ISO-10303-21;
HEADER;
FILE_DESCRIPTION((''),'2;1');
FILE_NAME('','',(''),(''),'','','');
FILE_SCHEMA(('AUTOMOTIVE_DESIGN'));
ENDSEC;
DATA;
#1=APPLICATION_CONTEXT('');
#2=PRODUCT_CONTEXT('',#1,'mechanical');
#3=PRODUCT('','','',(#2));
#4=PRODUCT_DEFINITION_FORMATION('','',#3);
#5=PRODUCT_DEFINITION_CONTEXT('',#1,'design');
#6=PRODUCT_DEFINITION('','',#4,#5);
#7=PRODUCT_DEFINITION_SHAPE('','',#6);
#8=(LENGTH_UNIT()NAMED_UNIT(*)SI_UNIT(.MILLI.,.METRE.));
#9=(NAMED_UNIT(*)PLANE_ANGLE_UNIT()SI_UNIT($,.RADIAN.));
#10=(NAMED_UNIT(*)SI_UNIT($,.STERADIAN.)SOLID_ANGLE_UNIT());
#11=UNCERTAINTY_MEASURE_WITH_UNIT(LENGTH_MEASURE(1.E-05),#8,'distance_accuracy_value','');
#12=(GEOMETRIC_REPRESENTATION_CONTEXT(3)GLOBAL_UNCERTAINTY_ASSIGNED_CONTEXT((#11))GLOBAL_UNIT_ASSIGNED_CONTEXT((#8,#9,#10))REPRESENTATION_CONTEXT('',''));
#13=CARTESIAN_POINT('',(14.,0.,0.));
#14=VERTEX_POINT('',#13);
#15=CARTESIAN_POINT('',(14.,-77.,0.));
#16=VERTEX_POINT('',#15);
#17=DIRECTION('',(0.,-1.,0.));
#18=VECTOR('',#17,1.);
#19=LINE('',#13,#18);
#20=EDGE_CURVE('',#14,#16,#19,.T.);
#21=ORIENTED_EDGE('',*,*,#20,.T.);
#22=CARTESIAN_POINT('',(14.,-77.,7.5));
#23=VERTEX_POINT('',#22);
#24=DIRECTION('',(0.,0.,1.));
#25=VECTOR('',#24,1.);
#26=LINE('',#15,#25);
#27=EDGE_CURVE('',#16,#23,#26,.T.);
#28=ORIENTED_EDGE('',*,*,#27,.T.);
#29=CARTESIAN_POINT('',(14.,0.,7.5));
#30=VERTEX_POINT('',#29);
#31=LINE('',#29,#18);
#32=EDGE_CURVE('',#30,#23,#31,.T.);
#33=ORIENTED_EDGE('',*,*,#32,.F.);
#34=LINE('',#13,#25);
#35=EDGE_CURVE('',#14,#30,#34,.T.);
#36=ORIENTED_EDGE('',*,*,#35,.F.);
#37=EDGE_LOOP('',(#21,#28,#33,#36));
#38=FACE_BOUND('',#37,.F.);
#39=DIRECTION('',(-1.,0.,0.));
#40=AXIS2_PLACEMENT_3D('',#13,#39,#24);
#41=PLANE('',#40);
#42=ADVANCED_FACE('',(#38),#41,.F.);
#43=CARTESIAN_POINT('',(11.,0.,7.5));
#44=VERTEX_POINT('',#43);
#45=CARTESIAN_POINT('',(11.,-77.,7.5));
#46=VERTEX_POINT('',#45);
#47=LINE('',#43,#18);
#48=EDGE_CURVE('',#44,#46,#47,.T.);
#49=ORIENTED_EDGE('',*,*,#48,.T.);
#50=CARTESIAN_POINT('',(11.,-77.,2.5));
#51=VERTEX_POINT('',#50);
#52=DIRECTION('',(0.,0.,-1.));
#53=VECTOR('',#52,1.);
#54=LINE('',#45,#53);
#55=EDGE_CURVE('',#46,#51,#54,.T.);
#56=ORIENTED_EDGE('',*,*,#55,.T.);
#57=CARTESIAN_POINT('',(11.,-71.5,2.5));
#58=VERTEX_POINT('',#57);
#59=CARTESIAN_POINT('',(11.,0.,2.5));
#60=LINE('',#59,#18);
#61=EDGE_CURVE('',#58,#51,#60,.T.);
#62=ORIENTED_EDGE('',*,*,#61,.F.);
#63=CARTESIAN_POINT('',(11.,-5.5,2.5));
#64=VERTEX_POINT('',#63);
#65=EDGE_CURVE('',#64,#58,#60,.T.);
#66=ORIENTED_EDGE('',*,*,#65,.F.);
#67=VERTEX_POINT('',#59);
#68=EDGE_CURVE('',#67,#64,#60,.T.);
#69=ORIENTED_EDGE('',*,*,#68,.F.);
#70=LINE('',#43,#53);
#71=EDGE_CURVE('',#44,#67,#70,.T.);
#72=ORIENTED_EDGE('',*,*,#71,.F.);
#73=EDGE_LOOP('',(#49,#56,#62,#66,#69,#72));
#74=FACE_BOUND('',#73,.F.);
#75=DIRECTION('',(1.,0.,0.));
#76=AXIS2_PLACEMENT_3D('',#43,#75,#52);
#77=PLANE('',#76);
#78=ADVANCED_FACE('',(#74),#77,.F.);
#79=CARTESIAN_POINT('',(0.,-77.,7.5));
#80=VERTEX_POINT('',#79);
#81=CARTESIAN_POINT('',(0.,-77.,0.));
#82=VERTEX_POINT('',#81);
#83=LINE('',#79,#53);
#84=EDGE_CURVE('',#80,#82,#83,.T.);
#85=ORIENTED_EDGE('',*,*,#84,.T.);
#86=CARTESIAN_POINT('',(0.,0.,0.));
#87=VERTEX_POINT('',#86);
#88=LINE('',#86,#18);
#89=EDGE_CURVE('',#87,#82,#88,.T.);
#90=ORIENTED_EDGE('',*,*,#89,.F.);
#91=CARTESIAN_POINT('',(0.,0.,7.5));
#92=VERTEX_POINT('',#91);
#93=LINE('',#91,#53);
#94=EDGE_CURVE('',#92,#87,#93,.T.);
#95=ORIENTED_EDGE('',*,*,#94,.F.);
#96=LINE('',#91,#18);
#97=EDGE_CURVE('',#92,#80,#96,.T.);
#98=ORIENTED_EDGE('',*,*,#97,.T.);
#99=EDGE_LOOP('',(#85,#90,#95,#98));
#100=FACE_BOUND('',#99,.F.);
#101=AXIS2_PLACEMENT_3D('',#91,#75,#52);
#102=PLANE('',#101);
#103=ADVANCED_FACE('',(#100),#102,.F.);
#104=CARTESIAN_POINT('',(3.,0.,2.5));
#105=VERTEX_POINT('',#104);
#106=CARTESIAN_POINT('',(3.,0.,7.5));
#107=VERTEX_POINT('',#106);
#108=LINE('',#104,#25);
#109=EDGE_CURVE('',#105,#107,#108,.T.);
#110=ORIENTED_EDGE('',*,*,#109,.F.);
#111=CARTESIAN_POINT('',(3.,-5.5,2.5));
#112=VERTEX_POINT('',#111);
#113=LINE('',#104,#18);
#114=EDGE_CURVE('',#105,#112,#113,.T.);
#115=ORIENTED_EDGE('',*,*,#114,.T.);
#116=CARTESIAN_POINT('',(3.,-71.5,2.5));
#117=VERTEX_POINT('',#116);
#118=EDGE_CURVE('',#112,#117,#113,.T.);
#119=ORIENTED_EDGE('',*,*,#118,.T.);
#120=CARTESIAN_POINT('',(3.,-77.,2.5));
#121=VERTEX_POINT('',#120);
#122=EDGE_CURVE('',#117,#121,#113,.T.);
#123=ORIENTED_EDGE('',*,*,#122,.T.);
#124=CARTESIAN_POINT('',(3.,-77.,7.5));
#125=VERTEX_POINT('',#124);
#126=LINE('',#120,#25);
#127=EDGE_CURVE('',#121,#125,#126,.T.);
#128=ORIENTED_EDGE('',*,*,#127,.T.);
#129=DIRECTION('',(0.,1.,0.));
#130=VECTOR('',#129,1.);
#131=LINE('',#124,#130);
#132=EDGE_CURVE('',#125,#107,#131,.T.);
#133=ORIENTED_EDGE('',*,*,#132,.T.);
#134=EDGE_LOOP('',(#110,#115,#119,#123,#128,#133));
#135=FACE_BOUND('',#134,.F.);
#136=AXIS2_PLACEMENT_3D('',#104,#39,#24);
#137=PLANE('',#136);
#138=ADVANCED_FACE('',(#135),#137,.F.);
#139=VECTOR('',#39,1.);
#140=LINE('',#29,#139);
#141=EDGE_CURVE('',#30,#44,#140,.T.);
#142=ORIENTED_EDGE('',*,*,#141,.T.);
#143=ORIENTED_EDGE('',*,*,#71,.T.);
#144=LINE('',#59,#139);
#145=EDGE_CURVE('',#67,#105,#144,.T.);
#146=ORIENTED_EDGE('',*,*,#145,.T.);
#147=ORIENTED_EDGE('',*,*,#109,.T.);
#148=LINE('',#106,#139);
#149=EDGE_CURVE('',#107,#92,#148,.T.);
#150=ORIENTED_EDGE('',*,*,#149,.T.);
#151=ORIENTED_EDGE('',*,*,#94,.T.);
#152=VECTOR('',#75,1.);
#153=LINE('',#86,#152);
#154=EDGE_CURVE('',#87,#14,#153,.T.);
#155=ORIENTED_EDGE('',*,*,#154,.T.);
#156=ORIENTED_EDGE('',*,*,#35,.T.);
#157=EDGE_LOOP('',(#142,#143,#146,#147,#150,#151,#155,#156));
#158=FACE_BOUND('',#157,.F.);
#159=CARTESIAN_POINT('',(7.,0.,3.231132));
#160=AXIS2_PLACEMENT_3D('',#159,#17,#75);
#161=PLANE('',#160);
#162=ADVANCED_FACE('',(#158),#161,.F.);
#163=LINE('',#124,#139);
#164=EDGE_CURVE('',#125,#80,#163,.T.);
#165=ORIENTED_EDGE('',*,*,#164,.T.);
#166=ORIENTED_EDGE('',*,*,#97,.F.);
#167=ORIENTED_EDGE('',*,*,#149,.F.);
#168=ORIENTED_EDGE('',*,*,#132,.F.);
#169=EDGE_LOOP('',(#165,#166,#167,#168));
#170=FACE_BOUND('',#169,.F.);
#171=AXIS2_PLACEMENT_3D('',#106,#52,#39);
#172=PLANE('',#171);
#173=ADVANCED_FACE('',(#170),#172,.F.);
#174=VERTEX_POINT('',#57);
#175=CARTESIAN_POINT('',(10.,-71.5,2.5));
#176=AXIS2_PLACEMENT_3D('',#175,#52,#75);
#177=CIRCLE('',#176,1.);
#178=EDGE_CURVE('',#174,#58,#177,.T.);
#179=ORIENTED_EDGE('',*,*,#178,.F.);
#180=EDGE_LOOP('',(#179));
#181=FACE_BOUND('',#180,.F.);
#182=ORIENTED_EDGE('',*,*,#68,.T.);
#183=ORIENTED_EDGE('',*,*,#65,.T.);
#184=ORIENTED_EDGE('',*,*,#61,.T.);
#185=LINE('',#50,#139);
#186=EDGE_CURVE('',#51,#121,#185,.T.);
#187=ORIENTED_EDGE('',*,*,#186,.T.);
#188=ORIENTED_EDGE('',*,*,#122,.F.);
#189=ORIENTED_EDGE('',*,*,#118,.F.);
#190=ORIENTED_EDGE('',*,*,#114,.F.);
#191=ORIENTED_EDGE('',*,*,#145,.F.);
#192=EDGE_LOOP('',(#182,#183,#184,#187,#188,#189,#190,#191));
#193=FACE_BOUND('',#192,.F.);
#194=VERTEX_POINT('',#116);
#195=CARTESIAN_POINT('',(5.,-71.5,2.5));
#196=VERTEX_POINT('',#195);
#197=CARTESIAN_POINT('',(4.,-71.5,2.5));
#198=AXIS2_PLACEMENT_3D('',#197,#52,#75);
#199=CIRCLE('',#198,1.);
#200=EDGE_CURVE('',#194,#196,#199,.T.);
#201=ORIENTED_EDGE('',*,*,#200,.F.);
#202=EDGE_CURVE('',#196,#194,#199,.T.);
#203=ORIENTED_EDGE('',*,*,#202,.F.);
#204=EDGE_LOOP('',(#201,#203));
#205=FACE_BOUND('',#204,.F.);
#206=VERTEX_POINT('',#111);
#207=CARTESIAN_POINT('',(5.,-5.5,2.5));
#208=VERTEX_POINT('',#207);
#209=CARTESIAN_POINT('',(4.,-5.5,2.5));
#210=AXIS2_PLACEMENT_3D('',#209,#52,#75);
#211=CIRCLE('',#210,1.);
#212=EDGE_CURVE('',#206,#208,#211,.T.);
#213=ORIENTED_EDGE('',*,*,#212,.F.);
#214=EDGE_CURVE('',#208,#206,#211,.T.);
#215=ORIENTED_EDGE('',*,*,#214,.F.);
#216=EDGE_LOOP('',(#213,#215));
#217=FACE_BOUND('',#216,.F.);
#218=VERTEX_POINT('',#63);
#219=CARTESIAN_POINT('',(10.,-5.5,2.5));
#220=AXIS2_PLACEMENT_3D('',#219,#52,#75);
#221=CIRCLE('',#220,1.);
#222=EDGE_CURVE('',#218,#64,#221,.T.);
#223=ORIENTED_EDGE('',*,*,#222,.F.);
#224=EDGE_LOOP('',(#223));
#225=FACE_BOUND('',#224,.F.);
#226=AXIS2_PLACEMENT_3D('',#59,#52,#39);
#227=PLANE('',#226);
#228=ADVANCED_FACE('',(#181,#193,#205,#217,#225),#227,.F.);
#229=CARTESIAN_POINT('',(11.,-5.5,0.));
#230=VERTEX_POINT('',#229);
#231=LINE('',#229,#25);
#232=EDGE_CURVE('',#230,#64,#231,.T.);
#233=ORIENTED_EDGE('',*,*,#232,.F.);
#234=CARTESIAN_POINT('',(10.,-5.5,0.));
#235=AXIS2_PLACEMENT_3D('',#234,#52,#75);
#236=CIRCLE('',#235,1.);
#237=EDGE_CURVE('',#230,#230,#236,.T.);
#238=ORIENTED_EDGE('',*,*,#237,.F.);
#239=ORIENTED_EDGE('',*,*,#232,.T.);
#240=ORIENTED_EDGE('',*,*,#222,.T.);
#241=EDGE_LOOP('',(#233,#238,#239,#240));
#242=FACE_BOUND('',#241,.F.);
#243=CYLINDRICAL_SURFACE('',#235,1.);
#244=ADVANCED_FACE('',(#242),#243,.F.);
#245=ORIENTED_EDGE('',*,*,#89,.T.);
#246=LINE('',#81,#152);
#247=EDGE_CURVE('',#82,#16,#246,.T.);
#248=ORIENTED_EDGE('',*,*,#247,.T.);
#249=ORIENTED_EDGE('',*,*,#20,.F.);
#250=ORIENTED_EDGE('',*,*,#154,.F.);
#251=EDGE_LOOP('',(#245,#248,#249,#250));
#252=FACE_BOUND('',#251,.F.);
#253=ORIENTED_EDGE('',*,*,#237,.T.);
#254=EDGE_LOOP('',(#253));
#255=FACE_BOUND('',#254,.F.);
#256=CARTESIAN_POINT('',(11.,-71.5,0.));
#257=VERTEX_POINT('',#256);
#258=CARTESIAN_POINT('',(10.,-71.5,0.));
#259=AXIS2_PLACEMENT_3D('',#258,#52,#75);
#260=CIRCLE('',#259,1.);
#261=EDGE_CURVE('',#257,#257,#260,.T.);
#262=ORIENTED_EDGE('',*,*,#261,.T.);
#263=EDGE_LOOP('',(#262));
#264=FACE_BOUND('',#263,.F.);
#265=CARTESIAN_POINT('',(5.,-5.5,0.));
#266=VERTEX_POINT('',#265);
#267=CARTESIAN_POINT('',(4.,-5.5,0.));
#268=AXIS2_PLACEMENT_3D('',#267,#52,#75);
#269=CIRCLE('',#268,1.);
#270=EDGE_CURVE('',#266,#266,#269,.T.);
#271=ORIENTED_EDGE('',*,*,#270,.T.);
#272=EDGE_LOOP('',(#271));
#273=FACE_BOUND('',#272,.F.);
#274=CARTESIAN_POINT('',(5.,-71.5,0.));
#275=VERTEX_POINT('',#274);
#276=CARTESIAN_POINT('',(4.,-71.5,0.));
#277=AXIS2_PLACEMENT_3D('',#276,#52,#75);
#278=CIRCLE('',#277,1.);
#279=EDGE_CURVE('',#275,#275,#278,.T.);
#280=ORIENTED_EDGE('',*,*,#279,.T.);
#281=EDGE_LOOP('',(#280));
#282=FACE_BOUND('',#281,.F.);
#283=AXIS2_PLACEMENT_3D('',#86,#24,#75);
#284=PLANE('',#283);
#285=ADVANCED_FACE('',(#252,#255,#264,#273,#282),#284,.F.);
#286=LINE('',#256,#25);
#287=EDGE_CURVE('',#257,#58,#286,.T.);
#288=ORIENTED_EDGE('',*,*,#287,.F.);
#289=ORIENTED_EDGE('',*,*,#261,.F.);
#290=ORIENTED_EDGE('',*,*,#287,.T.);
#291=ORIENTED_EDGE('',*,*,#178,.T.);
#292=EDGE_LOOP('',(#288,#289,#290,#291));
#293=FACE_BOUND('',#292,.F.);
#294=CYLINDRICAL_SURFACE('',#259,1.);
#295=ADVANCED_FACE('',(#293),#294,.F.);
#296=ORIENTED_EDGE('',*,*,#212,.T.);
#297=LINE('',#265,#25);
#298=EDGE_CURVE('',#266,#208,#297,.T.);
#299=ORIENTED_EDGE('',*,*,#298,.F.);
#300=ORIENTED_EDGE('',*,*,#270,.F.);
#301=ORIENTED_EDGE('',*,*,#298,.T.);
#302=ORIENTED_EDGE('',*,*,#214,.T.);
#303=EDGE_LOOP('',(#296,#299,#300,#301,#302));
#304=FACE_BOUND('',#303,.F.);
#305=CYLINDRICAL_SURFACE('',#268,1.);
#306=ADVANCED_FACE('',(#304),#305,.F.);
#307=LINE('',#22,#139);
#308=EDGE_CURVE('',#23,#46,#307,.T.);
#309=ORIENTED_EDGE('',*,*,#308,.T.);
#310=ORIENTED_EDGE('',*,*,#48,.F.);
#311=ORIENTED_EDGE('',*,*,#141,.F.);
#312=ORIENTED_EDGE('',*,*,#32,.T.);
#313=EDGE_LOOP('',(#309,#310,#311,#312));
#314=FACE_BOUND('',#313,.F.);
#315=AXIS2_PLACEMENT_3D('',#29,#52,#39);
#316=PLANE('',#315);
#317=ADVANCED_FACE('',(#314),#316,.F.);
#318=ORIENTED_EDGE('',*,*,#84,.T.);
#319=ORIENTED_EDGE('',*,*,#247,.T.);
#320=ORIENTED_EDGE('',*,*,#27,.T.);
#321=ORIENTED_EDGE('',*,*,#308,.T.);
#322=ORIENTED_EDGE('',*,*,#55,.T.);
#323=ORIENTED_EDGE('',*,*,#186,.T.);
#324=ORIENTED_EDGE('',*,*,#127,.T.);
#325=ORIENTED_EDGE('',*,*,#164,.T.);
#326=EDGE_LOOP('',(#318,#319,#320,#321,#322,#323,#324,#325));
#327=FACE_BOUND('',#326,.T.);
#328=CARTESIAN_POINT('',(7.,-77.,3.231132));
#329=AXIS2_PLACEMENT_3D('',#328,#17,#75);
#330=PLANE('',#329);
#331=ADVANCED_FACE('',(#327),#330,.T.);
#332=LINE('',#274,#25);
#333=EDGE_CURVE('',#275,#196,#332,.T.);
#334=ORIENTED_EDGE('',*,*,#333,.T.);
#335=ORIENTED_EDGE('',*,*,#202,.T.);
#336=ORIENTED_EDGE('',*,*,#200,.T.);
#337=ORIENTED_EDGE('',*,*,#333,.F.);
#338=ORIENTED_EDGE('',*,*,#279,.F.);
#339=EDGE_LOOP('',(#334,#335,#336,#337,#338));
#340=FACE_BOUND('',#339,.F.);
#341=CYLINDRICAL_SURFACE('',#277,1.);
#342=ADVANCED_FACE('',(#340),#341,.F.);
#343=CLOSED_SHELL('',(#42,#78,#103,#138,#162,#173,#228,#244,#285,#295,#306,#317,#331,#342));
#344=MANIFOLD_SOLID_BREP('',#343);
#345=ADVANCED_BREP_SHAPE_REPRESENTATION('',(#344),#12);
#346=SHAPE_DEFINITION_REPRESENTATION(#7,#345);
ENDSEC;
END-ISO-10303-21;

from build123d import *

# Parameters (mm, degrees)
F1_DEPTH = 77
F2_R     = 1
F3_DEPTH = 25


with BuildPart() as f1:
    # F0 (on Front) → F1 (new body)
    with BuildSketch(Plane.XZ):
        Polygon((3, 7.5), (0, 7.5), (0, 0), (14, 0), (14, 7.5), (11, 7.5), (11, 2.5), (3, 2.5), align=None)
    extrude(amount=F1_DEPTH)

    # F2 (on face) → F3 (cut)
    with BuildSketch(Plane(origin=(0, 0, 0), x_dir=(1, 0, 0), z_dir=(0, 0, -1))):
        with Locations((10, 5.5)):
            Circle(F2_R)
        with Locations((4, 5.5)):
            Circle(F2_R)
        with Locations((10, 71.5)):
            Circle(F2_R)
        with Locations((4, 71.5)):
            Circle(F2_R)
    extrude(amount=-F3_DEPTH, mode=Mode.SUBTRACT)


solid = f1.part
